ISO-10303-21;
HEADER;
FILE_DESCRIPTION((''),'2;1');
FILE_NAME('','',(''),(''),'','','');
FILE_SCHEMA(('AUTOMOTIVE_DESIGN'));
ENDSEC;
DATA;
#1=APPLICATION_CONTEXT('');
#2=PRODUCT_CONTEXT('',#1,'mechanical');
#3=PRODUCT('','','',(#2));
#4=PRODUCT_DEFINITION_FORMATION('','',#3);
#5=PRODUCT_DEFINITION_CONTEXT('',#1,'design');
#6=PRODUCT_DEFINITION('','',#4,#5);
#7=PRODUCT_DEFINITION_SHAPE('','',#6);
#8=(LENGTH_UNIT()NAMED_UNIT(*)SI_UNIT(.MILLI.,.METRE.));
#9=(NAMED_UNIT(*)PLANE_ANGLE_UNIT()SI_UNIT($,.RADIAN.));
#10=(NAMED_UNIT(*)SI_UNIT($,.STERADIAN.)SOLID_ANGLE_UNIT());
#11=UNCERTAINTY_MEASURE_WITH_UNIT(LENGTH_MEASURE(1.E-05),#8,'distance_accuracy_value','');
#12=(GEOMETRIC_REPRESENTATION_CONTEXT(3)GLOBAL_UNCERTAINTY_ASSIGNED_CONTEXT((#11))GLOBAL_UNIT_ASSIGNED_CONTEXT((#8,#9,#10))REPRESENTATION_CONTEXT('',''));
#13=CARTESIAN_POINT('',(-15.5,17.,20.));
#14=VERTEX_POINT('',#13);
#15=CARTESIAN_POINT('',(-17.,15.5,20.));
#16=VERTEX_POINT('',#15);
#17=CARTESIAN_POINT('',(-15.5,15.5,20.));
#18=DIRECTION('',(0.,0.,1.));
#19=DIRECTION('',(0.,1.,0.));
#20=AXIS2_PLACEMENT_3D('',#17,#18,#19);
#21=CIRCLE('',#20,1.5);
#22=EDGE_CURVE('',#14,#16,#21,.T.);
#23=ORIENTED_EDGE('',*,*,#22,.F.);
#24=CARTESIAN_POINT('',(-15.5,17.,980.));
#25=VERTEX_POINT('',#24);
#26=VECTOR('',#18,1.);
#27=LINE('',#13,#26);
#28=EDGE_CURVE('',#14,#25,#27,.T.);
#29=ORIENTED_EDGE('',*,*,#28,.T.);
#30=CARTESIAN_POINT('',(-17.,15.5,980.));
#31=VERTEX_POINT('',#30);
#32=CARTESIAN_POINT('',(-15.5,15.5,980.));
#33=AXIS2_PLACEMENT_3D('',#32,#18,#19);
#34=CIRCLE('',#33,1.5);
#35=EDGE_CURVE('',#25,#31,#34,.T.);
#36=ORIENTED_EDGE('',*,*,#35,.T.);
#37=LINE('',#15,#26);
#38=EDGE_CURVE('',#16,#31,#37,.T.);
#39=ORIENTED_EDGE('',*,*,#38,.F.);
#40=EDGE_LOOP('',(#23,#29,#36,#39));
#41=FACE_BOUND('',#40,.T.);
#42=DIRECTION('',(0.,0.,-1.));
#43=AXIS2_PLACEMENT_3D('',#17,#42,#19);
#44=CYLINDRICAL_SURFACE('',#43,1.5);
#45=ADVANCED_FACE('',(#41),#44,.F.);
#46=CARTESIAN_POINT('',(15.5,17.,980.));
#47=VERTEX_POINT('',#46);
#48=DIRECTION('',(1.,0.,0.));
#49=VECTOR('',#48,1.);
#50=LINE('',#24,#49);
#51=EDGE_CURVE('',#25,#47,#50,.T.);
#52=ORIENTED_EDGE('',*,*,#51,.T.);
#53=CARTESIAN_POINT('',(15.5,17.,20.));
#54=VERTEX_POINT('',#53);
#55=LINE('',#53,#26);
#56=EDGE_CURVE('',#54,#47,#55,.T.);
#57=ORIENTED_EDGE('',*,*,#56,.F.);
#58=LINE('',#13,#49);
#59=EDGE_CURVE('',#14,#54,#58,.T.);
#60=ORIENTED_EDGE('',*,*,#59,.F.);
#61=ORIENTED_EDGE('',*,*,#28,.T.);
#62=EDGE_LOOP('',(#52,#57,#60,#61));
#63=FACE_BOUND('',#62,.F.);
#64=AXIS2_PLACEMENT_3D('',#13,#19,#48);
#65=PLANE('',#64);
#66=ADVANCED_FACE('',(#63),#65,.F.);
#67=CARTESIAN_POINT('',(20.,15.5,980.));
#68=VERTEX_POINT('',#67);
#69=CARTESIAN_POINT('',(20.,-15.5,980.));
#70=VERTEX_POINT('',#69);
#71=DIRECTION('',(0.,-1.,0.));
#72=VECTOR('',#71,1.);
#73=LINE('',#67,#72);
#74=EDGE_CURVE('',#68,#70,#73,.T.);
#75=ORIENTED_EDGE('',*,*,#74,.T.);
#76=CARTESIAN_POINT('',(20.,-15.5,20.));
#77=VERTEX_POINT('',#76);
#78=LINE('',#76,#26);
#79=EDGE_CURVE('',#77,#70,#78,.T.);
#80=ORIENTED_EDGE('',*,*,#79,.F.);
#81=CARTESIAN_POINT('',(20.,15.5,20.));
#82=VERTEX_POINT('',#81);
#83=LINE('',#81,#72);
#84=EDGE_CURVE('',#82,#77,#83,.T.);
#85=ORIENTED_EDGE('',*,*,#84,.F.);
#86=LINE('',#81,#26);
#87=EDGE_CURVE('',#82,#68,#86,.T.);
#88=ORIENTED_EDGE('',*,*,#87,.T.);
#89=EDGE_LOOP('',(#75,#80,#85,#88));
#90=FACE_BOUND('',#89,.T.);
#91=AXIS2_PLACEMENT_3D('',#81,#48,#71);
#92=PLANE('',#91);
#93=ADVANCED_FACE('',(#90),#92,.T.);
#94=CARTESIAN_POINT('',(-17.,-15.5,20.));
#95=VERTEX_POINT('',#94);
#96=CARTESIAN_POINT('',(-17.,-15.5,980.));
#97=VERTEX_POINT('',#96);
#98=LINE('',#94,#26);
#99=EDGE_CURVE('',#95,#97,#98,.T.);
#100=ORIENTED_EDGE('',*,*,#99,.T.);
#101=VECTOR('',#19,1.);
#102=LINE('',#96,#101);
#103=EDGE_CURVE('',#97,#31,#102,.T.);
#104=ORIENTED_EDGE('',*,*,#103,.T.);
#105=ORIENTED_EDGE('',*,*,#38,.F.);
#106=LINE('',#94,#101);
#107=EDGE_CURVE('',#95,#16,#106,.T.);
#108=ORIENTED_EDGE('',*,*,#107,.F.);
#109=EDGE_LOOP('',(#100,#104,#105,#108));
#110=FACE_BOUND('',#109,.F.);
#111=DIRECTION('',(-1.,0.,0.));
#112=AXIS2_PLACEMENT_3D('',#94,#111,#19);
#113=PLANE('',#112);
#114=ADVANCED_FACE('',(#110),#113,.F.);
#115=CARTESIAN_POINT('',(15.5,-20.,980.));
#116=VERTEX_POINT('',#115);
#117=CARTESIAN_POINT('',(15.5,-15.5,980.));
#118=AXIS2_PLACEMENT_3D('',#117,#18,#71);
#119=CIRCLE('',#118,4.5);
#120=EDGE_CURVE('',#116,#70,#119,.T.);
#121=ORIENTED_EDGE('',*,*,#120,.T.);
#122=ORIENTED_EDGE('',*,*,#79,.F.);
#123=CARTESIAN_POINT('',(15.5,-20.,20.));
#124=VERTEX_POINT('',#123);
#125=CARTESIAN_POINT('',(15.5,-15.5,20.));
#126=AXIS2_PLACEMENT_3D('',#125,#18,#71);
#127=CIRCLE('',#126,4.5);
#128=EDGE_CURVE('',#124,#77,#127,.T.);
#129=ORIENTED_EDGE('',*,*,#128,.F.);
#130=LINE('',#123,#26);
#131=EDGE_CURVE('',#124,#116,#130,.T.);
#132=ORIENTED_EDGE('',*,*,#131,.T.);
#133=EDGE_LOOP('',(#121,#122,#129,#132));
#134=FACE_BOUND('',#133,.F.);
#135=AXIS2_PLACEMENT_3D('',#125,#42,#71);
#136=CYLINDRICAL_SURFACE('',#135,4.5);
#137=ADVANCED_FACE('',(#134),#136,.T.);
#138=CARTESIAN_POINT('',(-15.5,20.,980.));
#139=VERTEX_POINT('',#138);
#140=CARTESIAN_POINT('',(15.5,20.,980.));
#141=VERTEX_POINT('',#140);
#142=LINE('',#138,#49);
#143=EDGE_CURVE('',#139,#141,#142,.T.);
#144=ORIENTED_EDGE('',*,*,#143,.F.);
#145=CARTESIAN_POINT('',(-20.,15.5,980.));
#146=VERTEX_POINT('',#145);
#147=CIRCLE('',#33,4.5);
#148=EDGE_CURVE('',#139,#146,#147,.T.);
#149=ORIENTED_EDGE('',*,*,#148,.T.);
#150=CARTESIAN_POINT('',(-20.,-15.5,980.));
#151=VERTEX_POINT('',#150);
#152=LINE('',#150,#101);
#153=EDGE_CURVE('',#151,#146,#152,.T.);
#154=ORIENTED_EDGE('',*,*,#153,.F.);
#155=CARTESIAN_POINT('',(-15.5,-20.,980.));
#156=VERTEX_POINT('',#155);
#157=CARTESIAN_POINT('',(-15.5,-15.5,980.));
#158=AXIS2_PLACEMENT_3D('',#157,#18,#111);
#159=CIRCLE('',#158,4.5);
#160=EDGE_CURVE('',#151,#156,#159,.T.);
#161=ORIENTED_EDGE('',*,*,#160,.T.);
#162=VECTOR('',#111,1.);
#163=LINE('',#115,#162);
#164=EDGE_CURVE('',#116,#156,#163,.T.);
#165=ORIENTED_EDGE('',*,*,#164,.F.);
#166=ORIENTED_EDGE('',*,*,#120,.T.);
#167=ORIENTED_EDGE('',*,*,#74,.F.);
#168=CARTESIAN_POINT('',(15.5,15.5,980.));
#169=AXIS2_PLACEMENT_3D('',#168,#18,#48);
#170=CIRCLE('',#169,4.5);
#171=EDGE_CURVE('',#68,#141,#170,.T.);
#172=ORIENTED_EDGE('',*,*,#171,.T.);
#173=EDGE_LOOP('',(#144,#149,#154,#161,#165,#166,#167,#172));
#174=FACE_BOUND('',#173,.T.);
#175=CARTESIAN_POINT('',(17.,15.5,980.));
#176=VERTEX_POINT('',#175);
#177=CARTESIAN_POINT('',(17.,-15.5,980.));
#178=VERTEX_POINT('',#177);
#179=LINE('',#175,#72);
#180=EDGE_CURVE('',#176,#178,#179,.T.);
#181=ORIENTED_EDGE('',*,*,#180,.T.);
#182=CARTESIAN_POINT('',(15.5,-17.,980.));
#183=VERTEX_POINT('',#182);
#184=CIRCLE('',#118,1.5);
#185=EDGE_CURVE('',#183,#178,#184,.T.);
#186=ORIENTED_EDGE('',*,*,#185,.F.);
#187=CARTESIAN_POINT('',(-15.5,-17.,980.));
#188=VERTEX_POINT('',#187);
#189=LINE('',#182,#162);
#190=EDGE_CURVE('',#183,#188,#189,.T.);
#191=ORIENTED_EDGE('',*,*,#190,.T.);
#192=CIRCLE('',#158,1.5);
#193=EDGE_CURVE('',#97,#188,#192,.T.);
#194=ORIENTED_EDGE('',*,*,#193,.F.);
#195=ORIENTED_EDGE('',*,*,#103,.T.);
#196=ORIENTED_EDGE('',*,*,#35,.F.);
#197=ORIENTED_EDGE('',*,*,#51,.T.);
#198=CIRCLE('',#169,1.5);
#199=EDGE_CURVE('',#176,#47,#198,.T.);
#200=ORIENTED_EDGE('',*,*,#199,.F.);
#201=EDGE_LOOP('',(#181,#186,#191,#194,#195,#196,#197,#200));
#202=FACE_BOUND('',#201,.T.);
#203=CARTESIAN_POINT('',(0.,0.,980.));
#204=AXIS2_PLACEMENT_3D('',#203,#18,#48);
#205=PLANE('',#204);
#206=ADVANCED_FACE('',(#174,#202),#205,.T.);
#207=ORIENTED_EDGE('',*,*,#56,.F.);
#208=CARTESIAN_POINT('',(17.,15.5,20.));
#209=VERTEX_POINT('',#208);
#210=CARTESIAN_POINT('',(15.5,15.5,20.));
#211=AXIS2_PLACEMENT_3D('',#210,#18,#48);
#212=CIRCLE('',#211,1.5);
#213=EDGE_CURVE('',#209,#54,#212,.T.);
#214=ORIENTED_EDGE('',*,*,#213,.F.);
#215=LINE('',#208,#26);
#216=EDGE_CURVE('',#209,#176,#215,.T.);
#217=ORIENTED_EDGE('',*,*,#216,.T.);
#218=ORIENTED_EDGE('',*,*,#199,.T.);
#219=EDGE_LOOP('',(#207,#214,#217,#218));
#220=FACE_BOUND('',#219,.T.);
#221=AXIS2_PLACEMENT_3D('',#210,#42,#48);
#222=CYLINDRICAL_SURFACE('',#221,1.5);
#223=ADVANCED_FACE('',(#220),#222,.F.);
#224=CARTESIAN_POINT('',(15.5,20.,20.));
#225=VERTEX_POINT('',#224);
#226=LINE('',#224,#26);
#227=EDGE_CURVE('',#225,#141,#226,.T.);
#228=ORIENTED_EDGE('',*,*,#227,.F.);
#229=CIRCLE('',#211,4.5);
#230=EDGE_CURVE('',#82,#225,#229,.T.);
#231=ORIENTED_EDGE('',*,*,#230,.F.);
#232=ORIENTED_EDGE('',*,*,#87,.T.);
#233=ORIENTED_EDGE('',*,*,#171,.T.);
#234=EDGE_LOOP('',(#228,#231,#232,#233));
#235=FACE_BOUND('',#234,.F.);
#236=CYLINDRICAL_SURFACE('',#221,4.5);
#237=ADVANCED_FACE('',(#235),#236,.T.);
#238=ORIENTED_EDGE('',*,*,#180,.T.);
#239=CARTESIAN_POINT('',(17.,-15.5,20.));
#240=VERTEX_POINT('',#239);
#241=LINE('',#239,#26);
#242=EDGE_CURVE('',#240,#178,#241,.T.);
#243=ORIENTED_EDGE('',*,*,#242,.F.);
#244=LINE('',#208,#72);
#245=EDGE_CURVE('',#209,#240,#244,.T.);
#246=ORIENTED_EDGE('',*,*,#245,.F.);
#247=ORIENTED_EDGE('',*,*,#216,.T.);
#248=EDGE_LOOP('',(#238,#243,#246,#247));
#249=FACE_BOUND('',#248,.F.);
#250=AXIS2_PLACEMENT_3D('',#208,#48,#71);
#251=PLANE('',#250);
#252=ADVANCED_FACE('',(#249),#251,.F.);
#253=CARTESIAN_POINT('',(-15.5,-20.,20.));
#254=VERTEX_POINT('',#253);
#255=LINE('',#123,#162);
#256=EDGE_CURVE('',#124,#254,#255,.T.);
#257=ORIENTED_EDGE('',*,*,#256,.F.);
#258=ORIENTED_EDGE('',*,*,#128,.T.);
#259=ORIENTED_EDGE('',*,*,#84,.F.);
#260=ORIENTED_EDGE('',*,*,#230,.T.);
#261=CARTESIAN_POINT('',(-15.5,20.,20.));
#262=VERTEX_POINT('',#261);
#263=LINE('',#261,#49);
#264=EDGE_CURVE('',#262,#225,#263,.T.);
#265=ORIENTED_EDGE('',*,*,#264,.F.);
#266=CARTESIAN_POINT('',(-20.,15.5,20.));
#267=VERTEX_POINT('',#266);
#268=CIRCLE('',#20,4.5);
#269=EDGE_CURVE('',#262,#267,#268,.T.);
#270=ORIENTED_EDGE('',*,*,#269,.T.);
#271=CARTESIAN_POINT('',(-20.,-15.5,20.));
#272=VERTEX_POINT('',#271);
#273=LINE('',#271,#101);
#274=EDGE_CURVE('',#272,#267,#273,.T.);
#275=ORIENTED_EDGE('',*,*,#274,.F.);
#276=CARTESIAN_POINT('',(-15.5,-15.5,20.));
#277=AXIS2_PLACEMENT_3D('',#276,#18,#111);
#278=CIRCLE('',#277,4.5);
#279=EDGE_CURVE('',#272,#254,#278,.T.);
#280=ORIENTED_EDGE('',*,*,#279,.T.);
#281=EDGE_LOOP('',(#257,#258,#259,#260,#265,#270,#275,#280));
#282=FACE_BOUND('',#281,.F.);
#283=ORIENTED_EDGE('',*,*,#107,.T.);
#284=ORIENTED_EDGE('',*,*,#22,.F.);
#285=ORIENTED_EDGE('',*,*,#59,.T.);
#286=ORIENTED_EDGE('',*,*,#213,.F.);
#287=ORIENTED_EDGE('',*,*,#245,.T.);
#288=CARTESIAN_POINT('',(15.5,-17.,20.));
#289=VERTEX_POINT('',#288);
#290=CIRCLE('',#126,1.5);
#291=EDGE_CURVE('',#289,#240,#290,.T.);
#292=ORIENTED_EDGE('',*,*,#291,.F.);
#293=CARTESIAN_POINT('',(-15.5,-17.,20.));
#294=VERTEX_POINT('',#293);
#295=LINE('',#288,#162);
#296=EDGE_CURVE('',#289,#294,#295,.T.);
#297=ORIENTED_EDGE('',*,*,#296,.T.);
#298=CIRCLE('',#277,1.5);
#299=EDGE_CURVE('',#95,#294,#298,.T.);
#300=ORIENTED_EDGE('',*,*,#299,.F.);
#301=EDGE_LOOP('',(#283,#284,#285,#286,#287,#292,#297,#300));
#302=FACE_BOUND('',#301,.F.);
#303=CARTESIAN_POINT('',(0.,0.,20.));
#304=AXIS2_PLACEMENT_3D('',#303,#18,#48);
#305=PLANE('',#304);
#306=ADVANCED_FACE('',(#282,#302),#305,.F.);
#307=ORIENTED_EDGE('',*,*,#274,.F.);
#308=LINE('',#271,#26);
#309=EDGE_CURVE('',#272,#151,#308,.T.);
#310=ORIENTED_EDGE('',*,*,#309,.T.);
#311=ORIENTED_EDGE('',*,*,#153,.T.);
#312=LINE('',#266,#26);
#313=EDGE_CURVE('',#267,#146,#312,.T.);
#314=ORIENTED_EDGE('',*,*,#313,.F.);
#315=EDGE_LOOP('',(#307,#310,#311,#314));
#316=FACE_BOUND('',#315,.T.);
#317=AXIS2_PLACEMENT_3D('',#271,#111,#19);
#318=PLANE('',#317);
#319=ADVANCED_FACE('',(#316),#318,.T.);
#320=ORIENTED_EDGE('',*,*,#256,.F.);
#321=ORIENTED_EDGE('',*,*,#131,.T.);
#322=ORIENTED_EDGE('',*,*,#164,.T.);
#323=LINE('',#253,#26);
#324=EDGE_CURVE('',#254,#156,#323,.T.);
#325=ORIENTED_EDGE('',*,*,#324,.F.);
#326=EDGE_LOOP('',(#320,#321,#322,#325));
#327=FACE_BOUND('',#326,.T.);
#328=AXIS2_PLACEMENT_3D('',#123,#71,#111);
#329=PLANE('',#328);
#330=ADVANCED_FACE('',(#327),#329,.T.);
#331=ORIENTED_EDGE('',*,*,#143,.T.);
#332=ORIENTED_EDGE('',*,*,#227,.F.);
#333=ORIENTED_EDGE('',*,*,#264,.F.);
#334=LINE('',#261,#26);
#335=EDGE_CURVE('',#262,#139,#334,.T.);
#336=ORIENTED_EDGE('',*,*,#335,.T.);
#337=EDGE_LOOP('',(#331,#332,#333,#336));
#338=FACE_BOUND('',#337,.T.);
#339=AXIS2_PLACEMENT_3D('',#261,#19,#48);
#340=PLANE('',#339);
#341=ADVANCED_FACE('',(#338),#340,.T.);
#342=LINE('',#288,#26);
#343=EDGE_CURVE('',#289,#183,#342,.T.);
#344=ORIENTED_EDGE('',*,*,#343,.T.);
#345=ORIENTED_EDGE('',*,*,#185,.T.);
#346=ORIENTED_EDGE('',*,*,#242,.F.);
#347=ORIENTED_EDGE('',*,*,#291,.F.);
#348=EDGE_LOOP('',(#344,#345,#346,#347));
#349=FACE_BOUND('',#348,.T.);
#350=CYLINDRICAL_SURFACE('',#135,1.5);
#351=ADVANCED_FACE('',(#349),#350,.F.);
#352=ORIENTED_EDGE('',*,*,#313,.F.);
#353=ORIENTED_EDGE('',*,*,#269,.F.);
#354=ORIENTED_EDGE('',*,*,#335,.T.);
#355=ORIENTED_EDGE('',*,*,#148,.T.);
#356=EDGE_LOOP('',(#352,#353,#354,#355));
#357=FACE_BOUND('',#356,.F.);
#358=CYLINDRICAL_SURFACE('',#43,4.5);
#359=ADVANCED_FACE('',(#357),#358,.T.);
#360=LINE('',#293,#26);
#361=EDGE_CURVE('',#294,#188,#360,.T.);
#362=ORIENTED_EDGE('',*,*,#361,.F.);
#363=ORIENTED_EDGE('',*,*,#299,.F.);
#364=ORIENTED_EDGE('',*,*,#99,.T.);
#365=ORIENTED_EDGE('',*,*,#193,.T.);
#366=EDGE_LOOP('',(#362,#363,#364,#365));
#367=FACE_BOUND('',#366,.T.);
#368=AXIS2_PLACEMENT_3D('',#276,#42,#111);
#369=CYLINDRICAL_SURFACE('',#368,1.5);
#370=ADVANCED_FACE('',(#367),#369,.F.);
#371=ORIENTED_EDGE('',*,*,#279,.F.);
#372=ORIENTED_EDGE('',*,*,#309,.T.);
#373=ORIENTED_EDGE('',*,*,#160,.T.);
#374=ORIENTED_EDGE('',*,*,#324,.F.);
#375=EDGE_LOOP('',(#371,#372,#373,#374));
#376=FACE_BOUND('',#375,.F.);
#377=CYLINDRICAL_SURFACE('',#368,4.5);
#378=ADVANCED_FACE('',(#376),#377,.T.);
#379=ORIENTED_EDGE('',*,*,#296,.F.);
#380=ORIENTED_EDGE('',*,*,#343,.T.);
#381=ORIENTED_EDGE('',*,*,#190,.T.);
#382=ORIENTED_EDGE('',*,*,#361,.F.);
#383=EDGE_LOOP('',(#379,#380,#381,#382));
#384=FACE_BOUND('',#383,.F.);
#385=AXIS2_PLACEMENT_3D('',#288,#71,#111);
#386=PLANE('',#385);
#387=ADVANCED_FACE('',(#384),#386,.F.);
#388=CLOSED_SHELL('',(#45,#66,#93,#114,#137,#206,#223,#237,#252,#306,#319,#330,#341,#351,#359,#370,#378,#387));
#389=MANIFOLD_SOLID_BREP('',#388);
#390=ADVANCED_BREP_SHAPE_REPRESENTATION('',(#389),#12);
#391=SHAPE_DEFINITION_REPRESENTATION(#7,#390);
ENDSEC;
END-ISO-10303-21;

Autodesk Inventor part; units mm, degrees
ref_plane "Start Plane" through (0, 0, 20) normal (0, 0, 1) x (1, 0, 0)
ref_plane "End Plane" through (0, 0, 980) normal (0, 0, 1) x (1, 0, 0)
sketch "Sketch" plane through (0, 0, 0) normal (0, 0, 1) x (1, 0, 0)
  line L0 (-20, -15.5) -> (-20, 15.5)
  line L1 (-15.5, 20) -> (15.5, 20)
  line L2 (20, 15.5) -> (20, -15.5)
  line L3 (15.5, -20) -> (-15.5, -20)
  arc A0 (-20, -15.5) -> (-15.5, -20) centre (-15.5, -15.5) ccw
  arc A1 (-15.5, 20) -> (-20, 15.5) centre (-15.5, 15.5) ccw
  arc A2 (20, 15.5) -> (15.5, 20) centre (15.5, 15.5) ccw
  arc A3 (15.5, -20) -> (20, -15.5) centre (15.5, -15.5) ccw
  arc A4 (-15.5, 17) -> (-17, 15.5) centre (-15.5, 15.5) ccw
  line L4 (-15.5, 17) -> (15.5, 17)
  arc A5 (17, 15.5) -> (15.5, 17) centre (15.5, 15.5) ccw
  line L5 (17, 15.5) -> (17, -15.5)
  arc A6 (15.5, -17) -> (17, -15.5) centre (15.5, -15.5) ccw
  line L6 (15.5, -17) -> (-15.5, -17)
  arc A7 (-17, -15.5) -> (-15.5, -17) centre (-15.5, -15.5) ccw
  line L7 (-17, -15.5) -> (-17, 15.5)
  line L8 (0, 29.3048) -> (0, -29.3048) construction
  line L9 (-29.3048, 0) -> (29.3048, 0) construction
  dimension "d7" = 4.5
  dimension "d10" = 40
  dimension "d11" = 40
  dimension "d12" = 3
  dimension "d15" = 20
  dimension "d16" = 20
extrude "Body" add sketch "Sketch" along normal up to surface (960 mm away) from surface at 20
sketch "Sketch3" plane through (0, 0, 0) normal (0, 0, 1) x (1, 0, 0)
  line L0 (0, 0) -> (10, 0)
ref_plane "Work Plane3" through (0, 0, 0) normal (0, -1, 0) x (1, 0, 0)
ref_plane "Work Plane4" through (-15.5, 1360, 20) normal (0, 0, -1) x (-1, 0, 0)
split "Split1" plane through (-15.5, 1360, 20) removes the side toward (0, 0, -1)
ref_plane "Work Plane5" through (15.5, 1360, 980) normal (0, 0, 1) x (1, 0, 0)
split "Split2" plane through (15.5, 1360, 980) removes the side toward (0, 0, 1)
sketch "Sketch4" plane through (0, 0, 0) normal (0, -1, 0) x (1, 0, 0)
  line L0 (-2, 20) -> (12, 20) projected
  line L1 (-2, 980) -> (12, 980) projected
  dimension "d18" = 960
equation "\"d7\" = G_IR"
equation "\"d10\" = G_H"
equation "\"d11\" = G_W"
equation "\"d12\" = G_T"
equation "\"d15\" = 0.5 * d10"
equation "\"d16\" = 0.5 * d11"
equation "\"d3\" = G_L"
equation "\"G_W\" = 40"
equation "\"G_H\" = 40"
equation "\"G_T\" = 3"
equation "\"G_IR\" = 4.5"
equation "\"G_L\" = d18"
properties part number "ISO 12633-2 - 40x40x3 - 960" material "Steel, Mild"
